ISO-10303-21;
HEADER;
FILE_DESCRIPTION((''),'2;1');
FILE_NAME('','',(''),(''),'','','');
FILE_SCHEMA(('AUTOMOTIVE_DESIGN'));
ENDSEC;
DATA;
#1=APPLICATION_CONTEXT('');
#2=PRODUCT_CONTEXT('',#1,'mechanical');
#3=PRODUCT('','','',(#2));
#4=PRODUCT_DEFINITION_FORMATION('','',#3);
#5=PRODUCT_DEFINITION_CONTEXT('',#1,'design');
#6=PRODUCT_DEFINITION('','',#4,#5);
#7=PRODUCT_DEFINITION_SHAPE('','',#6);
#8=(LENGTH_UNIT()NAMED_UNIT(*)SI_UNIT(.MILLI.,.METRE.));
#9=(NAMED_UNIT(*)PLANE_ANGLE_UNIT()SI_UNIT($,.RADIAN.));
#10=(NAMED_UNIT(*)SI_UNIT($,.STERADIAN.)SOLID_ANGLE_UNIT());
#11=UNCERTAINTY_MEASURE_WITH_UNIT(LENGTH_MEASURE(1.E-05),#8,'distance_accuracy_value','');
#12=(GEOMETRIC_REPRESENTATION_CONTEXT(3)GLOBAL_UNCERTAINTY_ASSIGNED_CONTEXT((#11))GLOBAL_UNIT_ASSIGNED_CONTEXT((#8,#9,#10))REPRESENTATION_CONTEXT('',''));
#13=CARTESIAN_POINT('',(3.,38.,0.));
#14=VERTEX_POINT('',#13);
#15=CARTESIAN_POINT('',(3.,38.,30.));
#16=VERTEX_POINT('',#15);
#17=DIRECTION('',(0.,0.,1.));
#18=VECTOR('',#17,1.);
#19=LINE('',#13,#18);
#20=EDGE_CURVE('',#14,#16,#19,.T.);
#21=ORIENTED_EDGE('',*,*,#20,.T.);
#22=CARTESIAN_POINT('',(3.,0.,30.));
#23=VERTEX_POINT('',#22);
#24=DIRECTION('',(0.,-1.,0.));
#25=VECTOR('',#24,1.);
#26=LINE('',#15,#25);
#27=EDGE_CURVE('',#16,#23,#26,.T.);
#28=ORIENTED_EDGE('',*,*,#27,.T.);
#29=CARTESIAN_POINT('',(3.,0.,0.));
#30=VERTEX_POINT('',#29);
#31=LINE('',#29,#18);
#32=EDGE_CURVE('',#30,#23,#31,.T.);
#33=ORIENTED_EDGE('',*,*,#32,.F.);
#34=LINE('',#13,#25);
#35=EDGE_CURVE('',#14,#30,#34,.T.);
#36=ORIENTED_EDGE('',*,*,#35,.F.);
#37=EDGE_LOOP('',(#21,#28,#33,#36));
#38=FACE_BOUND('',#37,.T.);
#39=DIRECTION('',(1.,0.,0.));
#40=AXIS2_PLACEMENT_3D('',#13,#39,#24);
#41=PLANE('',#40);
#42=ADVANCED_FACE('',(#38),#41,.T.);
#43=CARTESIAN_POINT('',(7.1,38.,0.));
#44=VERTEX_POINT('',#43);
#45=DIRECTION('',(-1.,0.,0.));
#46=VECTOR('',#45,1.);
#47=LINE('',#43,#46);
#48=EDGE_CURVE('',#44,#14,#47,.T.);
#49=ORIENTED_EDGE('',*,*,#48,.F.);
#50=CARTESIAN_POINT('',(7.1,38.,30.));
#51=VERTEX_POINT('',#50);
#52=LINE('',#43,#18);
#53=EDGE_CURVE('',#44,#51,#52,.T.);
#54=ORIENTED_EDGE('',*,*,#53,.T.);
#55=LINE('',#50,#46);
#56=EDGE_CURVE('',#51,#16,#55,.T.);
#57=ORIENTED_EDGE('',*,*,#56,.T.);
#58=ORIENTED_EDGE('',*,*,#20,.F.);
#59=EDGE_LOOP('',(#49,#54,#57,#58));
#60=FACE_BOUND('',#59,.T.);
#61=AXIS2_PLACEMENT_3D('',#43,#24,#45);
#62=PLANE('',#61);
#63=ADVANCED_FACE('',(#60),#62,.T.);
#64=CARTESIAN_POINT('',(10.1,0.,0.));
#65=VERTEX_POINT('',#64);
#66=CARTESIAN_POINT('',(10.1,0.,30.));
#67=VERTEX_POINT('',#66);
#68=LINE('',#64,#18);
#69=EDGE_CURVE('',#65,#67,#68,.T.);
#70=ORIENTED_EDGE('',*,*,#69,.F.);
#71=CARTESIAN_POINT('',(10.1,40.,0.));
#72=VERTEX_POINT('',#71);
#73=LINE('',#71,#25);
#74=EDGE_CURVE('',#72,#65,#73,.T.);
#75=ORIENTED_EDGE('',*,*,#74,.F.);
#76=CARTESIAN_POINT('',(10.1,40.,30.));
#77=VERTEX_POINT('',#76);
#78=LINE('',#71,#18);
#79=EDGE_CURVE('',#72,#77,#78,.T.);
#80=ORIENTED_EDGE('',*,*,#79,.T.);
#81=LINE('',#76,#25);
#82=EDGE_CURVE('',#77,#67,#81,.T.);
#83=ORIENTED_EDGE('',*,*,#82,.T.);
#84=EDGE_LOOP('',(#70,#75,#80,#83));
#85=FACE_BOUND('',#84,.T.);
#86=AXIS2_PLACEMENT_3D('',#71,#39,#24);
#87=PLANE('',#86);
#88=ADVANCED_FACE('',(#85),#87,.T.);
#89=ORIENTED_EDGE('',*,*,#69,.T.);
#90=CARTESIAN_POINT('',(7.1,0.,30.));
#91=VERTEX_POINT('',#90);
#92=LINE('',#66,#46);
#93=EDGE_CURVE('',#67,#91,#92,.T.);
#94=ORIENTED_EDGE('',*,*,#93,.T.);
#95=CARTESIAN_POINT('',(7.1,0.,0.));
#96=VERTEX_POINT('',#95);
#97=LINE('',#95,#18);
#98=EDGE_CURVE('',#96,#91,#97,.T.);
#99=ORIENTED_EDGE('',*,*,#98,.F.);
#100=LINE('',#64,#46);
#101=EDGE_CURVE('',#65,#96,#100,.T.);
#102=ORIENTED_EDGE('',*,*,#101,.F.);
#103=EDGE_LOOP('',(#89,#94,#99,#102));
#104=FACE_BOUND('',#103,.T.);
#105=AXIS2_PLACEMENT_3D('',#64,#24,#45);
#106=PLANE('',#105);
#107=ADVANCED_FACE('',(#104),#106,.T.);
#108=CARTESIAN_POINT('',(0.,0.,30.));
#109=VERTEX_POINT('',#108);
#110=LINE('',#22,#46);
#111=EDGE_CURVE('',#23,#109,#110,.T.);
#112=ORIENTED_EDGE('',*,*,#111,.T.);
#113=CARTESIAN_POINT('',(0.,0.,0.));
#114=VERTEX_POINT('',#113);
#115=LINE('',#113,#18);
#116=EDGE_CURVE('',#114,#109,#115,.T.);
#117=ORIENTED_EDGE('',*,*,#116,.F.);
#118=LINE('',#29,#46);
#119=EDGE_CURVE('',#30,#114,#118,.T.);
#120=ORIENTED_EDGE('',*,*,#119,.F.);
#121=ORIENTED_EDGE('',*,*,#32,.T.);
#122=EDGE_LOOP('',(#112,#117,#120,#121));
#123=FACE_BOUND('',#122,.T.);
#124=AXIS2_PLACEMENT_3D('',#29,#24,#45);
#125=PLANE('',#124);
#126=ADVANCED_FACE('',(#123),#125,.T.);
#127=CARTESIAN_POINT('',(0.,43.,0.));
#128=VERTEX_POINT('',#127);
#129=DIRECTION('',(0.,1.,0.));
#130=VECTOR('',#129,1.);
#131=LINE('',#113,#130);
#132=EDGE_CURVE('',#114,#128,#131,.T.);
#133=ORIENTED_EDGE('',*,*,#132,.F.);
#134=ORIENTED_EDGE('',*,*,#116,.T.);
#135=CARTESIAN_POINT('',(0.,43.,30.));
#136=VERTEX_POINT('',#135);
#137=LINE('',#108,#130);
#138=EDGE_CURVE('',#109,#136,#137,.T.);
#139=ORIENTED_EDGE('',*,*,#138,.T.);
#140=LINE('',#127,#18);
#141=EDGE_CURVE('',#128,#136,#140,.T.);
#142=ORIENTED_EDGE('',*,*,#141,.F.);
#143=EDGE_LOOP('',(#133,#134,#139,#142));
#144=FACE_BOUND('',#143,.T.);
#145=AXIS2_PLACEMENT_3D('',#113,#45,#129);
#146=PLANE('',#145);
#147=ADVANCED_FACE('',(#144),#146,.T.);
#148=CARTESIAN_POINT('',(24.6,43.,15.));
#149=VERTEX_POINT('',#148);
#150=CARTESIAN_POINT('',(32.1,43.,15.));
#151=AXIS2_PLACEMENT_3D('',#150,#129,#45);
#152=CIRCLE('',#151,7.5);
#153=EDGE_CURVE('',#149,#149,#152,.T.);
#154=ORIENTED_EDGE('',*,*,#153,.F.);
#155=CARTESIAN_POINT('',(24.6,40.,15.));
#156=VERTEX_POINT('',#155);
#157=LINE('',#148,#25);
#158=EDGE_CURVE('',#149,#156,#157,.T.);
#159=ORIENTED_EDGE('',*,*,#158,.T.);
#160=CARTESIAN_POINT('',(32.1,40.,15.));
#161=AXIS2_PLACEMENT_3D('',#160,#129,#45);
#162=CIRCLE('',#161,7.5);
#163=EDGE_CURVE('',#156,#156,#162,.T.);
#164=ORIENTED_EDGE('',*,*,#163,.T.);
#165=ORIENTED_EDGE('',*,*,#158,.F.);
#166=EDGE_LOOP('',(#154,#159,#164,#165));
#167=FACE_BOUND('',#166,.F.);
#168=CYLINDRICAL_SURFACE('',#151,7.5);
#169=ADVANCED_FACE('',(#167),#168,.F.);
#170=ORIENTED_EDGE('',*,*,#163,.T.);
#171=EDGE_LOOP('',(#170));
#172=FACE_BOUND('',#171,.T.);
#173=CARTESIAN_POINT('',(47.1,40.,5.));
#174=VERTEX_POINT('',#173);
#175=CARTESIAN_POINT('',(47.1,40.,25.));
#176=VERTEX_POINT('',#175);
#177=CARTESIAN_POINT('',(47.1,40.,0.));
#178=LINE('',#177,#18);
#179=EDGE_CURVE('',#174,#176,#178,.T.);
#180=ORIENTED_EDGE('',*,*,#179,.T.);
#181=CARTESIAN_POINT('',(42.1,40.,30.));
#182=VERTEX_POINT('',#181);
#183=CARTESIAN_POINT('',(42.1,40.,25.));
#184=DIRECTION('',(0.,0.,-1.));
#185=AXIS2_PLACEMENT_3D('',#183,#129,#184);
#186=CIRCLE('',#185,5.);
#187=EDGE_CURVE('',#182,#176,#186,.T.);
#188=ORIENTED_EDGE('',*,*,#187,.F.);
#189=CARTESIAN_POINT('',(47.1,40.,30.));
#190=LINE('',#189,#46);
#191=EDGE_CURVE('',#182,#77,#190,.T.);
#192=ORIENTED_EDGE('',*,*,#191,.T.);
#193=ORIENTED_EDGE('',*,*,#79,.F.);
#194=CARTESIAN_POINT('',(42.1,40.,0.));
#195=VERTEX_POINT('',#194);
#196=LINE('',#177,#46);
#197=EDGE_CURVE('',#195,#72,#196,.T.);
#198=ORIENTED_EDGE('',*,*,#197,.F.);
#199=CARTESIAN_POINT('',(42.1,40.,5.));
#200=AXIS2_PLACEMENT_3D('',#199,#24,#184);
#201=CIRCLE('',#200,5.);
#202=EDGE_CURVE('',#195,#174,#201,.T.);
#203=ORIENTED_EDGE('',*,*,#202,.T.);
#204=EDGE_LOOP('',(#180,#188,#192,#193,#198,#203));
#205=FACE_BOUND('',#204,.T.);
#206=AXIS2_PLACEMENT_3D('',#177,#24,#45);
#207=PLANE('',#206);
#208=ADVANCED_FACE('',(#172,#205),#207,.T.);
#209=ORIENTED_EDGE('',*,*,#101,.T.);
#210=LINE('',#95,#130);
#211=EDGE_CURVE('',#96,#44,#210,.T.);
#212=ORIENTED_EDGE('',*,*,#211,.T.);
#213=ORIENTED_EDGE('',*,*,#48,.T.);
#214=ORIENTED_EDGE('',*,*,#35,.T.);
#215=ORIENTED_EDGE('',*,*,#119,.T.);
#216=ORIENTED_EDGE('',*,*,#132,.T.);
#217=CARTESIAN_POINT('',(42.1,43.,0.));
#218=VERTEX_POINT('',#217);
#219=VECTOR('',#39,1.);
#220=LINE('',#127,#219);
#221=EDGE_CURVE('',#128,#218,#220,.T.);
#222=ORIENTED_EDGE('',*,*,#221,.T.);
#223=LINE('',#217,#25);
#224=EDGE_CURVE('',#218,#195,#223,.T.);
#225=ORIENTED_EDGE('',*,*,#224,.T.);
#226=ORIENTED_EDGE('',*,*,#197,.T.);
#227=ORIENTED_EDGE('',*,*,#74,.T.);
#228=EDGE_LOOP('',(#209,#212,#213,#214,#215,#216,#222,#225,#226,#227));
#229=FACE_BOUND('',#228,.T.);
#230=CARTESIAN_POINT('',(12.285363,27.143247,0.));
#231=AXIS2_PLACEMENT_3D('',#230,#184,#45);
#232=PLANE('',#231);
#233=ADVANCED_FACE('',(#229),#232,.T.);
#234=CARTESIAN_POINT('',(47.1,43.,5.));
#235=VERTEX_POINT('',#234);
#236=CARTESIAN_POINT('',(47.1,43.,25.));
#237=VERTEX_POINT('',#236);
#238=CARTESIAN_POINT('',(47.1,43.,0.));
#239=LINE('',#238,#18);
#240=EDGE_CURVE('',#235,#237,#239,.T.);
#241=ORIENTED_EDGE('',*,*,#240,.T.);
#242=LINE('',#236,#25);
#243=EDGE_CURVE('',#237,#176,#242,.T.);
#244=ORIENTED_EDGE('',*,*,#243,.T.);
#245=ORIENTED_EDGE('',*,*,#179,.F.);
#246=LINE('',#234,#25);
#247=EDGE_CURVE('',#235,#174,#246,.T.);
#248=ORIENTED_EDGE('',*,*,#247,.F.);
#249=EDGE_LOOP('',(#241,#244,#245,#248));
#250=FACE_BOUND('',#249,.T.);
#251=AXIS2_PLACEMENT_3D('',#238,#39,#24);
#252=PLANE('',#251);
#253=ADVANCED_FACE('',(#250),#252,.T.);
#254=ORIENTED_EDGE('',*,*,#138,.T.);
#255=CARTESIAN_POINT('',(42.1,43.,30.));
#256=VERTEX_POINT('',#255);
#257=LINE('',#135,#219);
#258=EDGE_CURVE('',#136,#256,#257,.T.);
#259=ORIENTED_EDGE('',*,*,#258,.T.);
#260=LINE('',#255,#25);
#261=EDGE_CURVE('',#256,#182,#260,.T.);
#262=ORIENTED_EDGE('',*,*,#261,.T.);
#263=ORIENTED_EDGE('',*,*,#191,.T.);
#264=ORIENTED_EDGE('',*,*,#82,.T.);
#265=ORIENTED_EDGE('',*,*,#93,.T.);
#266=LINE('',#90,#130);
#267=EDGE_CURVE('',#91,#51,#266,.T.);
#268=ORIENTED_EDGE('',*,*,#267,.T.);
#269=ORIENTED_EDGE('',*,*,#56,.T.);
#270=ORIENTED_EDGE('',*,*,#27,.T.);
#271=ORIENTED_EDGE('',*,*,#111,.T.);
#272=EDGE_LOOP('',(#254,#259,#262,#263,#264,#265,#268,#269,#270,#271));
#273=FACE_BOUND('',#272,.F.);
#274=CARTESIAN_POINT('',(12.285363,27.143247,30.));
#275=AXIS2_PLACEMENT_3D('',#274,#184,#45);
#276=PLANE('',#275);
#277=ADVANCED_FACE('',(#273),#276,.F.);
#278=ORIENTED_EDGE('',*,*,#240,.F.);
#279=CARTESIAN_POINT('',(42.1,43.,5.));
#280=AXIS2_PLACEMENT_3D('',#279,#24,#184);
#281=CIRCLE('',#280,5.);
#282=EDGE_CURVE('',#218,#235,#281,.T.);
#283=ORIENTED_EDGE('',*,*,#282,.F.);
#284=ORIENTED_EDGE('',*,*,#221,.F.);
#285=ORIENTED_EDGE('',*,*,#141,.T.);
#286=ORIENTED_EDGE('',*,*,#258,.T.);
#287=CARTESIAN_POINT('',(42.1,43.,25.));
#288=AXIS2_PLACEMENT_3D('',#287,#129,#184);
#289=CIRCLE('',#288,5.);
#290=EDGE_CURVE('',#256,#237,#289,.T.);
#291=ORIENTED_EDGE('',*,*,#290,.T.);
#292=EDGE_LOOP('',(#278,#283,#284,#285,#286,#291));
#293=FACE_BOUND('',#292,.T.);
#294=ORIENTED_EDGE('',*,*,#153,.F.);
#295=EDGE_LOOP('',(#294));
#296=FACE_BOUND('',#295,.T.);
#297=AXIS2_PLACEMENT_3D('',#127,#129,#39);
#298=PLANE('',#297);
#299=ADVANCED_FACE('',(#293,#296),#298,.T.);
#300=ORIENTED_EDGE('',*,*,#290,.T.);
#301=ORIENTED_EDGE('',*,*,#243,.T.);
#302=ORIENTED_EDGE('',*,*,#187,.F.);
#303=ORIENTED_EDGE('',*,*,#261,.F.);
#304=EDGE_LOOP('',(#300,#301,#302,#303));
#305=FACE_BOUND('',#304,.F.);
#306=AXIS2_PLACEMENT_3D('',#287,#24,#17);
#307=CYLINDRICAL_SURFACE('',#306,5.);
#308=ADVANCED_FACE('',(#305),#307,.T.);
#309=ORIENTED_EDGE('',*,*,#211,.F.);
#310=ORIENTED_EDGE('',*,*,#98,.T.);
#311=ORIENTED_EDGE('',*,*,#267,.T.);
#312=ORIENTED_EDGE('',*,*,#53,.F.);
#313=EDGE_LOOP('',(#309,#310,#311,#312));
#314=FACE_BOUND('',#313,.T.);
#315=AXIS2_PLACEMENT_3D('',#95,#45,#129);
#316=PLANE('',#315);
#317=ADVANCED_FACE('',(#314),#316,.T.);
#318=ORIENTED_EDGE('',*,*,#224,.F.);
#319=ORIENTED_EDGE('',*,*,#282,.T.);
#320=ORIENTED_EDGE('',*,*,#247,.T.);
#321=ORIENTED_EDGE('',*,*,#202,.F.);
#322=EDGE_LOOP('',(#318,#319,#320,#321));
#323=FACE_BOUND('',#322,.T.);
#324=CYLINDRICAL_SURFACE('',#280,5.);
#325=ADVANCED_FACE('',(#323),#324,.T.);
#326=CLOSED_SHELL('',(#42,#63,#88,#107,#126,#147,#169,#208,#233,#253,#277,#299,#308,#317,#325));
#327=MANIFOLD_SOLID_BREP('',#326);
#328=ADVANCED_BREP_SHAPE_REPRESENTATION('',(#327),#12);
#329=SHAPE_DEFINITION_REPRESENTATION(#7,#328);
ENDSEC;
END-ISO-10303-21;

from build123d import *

# Parameters (mm, degrees)
PAD_DEPTH    = 30
SKETCH001_R  = 7.5
POCKET_DEPTH = 5
FILLET_R     = 5


with BuildPart() as part:
    # Sketch → Pad (new body)
    with BuildSketch(Plane.XY):
        Polygon((0, 0), (0, 43), (47.1, 43), (47.1, 40), (10.1, 40), (10.1, 0), (7.1, 0), (7.1, 38), (3, 38), (3, 0), align=None)
    extrude(amount=PAD_DEPTH)

    # Sketch001 (on Face2 of Pad) → Pocket (cut)
    with BuildSketch(Plane(origin=(0, 43, 0), x_dir=(-1, 0, 0), z_dir=(0, 1, 0))):
        with Locations((-32.1, 15)):
            Circle(SKETCH001_R)
    extrude(amount=-POCKET_DEPTH, mode=Mode.SUBTRACT)

    # Fillet
    fillet_edges = [part.edges().sort_by_distance(p)[0] for p in [
        (47.1, 41.5, 0),
        (47.1, 41.5, 30),
    ]]
    fillet(fillet_edges, radius=FILLET_R)


solid = part.part
